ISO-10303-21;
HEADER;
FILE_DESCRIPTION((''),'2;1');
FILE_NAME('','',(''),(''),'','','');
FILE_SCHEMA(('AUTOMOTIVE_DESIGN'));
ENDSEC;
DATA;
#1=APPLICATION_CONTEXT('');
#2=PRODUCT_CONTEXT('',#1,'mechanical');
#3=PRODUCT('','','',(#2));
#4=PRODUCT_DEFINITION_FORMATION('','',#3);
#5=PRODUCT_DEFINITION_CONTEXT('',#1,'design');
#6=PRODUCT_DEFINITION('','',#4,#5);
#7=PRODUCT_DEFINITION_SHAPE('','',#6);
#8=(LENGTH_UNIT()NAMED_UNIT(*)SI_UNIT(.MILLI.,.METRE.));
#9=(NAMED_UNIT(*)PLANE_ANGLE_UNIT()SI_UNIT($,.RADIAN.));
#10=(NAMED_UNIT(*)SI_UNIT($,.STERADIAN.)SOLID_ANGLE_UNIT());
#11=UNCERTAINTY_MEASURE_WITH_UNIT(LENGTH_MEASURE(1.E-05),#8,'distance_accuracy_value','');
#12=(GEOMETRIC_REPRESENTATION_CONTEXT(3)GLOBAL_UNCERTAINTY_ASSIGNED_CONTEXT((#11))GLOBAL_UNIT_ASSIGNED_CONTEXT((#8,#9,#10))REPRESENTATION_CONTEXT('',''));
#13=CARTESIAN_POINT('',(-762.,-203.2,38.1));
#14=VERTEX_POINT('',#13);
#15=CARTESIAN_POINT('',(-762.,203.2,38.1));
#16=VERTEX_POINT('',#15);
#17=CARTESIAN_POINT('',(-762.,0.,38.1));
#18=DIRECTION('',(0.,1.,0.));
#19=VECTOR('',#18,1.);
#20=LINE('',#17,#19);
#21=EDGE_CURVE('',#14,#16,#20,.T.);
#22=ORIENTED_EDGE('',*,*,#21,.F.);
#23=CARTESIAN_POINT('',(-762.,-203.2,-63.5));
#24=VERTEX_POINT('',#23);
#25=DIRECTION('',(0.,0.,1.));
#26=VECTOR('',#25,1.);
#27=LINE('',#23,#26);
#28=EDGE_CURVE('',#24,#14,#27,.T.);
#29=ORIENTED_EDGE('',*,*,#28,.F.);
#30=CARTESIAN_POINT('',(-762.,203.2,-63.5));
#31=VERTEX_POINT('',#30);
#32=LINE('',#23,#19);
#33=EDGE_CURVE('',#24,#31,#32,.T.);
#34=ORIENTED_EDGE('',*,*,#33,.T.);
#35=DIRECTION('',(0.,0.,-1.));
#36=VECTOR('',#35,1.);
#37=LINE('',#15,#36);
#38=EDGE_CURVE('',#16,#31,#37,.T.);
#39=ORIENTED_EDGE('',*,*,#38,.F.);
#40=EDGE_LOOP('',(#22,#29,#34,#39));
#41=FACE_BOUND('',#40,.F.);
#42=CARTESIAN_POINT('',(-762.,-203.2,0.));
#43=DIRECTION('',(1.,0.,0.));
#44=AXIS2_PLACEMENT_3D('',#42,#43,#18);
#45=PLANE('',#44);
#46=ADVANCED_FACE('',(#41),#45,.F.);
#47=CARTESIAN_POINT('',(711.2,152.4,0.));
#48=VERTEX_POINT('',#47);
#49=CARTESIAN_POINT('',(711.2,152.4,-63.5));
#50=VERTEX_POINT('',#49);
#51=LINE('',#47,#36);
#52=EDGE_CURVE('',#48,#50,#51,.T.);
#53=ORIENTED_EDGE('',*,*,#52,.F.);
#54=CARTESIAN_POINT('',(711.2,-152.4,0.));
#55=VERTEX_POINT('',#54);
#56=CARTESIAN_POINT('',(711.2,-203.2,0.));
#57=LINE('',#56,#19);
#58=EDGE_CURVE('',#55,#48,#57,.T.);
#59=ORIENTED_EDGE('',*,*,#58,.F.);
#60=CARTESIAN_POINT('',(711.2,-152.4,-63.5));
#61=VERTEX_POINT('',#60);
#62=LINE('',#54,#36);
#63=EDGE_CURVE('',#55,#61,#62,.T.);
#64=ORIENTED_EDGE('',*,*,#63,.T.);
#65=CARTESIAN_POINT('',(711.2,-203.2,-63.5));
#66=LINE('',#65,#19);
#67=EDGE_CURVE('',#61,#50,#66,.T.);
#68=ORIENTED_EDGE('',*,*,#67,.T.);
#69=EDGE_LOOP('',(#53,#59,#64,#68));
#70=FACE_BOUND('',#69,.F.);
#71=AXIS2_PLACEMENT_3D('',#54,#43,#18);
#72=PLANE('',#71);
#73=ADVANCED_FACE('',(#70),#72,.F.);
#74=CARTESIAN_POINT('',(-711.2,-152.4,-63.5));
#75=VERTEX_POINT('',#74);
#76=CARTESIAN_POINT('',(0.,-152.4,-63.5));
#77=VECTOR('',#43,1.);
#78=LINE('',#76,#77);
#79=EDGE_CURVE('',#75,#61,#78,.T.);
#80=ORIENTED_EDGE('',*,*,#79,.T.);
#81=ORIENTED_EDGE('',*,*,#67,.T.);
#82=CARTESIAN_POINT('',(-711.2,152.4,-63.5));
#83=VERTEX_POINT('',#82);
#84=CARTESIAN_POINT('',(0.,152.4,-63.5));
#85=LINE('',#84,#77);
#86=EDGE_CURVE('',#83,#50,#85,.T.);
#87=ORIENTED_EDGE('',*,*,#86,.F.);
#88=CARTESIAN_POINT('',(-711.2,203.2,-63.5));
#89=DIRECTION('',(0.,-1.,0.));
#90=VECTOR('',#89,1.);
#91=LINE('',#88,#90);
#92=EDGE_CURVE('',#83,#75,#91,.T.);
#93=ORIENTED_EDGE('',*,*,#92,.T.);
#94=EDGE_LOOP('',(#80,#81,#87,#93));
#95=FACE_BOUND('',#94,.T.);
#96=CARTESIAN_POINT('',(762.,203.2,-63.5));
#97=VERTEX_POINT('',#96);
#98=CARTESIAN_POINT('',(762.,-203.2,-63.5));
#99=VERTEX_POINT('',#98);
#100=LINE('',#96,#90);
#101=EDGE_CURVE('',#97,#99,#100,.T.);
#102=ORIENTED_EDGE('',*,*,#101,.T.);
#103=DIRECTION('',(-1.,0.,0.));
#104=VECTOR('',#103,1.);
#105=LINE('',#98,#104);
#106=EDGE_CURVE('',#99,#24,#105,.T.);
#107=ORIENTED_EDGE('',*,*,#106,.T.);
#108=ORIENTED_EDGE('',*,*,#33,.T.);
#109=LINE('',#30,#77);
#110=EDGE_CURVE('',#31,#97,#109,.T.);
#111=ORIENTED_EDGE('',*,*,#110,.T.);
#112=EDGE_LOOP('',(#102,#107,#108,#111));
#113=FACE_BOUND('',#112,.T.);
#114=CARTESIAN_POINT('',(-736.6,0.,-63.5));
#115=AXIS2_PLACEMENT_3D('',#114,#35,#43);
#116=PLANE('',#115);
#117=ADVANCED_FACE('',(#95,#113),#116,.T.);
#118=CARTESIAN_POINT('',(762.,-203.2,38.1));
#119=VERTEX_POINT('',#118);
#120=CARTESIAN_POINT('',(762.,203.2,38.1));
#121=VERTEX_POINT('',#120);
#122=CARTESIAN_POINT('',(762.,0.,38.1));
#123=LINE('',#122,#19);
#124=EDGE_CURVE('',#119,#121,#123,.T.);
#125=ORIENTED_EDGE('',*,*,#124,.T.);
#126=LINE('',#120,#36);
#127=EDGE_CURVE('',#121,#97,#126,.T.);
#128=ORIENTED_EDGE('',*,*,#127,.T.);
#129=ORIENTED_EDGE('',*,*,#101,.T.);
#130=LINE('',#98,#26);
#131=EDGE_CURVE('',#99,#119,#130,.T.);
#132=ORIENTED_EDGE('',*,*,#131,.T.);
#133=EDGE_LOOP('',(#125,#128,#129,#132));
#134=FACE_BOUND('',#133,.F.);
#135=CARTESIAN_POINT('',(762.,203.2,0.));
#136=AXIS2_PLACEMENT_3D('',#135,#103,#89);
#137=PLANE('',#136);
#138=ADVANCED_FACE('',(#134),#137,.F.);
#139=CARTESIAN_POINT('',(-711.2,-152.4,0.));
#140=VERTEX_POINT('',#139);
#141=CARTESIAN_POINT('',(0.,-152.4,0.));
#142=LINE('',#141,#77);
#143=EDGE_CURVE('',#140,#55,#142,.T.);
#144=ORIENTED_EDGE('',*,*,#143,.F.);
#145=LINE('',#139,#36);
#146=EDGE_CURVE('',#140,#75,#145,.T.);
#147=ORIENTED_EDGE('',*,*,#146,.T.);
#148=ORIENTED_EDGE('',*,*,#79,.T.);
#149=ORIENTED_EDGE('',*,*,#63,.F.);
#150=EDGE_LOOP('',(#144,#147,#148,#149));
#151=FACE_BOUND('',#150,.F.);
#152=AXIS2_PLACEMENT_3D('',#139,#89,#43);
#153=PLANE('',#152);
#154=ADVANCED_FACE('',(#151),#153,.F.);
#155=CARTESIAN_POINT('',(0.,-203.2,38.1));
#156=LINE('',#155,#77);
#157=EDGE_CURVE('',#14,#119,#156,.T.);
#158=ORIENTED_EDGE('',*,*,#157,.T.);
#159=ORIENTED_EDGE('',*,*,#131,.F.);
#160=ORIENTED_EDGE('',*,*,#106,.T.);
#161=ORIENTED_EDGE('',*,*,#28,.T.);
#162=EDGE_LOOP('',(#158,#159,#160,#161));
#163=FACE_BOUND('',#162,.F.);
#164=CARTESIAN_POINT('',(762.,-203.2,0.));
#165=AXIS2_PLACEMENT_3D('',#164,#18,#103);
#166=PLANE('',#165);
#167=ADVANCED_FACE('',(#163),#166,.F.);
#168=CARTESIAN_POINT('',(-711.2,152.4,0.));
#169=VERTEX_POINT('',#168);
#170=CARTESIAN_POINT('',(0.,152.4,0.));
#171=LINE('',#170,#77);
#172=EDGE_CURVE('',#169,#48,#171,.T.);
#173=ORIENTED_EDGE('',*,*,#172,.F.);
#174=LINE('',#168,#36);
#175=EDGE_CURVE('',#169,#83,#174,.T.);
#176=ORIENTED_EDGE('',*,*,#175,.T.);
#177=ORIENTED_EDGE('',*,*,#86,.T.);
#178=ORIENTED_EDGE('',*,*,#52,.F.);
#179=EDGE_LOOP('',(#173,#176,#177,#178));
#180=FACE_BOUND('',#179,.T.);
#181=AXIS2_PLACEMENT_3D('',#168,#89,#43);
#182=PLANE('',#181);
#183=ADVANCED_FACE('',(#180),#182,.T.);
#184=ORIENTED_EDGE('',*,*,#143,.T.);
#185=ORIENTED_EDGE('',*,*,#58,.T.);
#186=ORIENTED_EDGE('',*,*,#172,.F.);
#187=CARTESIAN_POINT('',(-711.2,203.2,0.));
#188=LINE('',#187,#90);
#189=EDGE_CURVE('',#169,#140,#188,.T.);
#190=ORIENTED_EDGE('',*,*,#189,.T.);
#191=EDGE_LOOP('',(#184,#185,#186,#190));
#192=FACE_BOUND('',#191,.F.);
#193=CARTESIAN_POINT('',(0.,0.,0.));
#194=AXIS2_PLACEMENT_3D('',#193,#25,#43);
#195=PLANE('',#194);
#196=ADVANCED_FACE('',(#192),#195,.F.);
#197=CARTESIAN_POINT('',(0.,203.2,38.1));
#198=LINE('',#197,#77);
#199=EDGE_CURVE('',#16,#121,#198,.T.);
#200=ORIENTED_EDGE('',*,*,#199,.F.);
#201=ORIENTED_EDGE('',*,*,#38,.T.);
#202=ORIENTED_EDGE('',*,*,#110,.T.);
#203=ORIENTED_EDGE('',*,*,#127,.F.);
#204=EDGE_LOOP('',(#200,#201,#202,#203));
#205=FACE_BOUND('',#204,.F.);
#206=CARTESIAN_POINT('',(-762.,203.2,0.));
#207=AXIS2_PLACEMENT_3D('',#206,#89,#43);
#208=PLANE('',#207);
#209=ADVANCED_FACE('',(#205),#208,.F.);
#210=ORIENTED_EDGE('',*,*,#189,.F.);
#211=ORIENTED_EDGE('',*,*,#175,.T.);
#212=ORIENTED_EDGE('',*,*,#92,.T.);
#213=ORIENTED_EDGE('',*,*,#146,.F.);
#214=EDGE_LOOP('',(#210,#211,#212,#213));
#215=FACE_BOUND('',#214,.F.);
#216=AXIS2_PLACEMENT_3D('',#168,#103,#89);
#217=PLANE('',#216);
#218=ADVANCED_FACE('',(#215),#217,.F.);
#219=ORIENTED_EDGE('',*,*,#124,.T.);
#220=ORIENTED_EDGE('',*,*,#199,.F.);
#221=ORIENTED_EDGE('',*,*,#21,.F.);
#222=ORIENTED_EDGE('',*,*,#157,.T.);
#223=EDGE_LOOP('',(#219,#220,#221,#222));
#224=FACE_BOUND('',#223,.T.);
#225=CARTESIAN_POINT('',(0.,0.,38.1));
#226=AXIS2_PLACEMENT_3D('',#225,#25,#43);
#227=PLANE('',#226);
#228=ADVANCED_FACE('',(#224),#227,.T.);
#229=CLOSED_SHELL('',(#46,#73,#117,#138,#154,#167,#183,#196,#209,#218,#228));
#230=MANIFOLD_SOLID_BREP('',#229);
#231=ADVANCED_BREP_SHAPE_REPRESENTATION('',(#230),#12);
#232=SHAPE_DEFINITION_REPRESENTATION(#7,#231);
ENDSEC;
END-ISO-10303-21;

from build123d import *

# Parameters (mm, degrees)
F0_W     = 1524
F0_H     = 406.4
F1_DEPTH = 38.1
F2_W     = 1422.4
F2_H     = 50.8
F3_DEPTH = 63.5


with BuildPart() as f1:
    # F0 (on Top) → F1 (new body)
    with BuildSketch(Plane.XY):
        Rectangle(F0_W, F0_H)
    extrude(amount=F1_DEPTH)

    # F2 (on face) → F3 (join)
    with BuildSketch(Plane(origin=(0, 0, 0), x_dir=(1, 0, 0), z_dir=(0, 0, -1))):
        Polygon((-711.2, 152.4), (-711.2, 203.2), (-762, 203.2), (-762, -203.2), (-711.2, -203.2), (-711.2, -152.4), align=None)
        Polygon((762, -203.2), (762, 203.2), (711.2, 203.2), (711.2, 152.4), (711.2, -152.4), (711.2, -203.2), align=None)
        with Locations((0, -177.8)):
            Rectangle(F2_W, F2_H)
        with Locations((0, 177.8)):
            Rectangle(F2_W, F2_H)
    extrude(amount=F3_DEPTH)


solid = f1.part
